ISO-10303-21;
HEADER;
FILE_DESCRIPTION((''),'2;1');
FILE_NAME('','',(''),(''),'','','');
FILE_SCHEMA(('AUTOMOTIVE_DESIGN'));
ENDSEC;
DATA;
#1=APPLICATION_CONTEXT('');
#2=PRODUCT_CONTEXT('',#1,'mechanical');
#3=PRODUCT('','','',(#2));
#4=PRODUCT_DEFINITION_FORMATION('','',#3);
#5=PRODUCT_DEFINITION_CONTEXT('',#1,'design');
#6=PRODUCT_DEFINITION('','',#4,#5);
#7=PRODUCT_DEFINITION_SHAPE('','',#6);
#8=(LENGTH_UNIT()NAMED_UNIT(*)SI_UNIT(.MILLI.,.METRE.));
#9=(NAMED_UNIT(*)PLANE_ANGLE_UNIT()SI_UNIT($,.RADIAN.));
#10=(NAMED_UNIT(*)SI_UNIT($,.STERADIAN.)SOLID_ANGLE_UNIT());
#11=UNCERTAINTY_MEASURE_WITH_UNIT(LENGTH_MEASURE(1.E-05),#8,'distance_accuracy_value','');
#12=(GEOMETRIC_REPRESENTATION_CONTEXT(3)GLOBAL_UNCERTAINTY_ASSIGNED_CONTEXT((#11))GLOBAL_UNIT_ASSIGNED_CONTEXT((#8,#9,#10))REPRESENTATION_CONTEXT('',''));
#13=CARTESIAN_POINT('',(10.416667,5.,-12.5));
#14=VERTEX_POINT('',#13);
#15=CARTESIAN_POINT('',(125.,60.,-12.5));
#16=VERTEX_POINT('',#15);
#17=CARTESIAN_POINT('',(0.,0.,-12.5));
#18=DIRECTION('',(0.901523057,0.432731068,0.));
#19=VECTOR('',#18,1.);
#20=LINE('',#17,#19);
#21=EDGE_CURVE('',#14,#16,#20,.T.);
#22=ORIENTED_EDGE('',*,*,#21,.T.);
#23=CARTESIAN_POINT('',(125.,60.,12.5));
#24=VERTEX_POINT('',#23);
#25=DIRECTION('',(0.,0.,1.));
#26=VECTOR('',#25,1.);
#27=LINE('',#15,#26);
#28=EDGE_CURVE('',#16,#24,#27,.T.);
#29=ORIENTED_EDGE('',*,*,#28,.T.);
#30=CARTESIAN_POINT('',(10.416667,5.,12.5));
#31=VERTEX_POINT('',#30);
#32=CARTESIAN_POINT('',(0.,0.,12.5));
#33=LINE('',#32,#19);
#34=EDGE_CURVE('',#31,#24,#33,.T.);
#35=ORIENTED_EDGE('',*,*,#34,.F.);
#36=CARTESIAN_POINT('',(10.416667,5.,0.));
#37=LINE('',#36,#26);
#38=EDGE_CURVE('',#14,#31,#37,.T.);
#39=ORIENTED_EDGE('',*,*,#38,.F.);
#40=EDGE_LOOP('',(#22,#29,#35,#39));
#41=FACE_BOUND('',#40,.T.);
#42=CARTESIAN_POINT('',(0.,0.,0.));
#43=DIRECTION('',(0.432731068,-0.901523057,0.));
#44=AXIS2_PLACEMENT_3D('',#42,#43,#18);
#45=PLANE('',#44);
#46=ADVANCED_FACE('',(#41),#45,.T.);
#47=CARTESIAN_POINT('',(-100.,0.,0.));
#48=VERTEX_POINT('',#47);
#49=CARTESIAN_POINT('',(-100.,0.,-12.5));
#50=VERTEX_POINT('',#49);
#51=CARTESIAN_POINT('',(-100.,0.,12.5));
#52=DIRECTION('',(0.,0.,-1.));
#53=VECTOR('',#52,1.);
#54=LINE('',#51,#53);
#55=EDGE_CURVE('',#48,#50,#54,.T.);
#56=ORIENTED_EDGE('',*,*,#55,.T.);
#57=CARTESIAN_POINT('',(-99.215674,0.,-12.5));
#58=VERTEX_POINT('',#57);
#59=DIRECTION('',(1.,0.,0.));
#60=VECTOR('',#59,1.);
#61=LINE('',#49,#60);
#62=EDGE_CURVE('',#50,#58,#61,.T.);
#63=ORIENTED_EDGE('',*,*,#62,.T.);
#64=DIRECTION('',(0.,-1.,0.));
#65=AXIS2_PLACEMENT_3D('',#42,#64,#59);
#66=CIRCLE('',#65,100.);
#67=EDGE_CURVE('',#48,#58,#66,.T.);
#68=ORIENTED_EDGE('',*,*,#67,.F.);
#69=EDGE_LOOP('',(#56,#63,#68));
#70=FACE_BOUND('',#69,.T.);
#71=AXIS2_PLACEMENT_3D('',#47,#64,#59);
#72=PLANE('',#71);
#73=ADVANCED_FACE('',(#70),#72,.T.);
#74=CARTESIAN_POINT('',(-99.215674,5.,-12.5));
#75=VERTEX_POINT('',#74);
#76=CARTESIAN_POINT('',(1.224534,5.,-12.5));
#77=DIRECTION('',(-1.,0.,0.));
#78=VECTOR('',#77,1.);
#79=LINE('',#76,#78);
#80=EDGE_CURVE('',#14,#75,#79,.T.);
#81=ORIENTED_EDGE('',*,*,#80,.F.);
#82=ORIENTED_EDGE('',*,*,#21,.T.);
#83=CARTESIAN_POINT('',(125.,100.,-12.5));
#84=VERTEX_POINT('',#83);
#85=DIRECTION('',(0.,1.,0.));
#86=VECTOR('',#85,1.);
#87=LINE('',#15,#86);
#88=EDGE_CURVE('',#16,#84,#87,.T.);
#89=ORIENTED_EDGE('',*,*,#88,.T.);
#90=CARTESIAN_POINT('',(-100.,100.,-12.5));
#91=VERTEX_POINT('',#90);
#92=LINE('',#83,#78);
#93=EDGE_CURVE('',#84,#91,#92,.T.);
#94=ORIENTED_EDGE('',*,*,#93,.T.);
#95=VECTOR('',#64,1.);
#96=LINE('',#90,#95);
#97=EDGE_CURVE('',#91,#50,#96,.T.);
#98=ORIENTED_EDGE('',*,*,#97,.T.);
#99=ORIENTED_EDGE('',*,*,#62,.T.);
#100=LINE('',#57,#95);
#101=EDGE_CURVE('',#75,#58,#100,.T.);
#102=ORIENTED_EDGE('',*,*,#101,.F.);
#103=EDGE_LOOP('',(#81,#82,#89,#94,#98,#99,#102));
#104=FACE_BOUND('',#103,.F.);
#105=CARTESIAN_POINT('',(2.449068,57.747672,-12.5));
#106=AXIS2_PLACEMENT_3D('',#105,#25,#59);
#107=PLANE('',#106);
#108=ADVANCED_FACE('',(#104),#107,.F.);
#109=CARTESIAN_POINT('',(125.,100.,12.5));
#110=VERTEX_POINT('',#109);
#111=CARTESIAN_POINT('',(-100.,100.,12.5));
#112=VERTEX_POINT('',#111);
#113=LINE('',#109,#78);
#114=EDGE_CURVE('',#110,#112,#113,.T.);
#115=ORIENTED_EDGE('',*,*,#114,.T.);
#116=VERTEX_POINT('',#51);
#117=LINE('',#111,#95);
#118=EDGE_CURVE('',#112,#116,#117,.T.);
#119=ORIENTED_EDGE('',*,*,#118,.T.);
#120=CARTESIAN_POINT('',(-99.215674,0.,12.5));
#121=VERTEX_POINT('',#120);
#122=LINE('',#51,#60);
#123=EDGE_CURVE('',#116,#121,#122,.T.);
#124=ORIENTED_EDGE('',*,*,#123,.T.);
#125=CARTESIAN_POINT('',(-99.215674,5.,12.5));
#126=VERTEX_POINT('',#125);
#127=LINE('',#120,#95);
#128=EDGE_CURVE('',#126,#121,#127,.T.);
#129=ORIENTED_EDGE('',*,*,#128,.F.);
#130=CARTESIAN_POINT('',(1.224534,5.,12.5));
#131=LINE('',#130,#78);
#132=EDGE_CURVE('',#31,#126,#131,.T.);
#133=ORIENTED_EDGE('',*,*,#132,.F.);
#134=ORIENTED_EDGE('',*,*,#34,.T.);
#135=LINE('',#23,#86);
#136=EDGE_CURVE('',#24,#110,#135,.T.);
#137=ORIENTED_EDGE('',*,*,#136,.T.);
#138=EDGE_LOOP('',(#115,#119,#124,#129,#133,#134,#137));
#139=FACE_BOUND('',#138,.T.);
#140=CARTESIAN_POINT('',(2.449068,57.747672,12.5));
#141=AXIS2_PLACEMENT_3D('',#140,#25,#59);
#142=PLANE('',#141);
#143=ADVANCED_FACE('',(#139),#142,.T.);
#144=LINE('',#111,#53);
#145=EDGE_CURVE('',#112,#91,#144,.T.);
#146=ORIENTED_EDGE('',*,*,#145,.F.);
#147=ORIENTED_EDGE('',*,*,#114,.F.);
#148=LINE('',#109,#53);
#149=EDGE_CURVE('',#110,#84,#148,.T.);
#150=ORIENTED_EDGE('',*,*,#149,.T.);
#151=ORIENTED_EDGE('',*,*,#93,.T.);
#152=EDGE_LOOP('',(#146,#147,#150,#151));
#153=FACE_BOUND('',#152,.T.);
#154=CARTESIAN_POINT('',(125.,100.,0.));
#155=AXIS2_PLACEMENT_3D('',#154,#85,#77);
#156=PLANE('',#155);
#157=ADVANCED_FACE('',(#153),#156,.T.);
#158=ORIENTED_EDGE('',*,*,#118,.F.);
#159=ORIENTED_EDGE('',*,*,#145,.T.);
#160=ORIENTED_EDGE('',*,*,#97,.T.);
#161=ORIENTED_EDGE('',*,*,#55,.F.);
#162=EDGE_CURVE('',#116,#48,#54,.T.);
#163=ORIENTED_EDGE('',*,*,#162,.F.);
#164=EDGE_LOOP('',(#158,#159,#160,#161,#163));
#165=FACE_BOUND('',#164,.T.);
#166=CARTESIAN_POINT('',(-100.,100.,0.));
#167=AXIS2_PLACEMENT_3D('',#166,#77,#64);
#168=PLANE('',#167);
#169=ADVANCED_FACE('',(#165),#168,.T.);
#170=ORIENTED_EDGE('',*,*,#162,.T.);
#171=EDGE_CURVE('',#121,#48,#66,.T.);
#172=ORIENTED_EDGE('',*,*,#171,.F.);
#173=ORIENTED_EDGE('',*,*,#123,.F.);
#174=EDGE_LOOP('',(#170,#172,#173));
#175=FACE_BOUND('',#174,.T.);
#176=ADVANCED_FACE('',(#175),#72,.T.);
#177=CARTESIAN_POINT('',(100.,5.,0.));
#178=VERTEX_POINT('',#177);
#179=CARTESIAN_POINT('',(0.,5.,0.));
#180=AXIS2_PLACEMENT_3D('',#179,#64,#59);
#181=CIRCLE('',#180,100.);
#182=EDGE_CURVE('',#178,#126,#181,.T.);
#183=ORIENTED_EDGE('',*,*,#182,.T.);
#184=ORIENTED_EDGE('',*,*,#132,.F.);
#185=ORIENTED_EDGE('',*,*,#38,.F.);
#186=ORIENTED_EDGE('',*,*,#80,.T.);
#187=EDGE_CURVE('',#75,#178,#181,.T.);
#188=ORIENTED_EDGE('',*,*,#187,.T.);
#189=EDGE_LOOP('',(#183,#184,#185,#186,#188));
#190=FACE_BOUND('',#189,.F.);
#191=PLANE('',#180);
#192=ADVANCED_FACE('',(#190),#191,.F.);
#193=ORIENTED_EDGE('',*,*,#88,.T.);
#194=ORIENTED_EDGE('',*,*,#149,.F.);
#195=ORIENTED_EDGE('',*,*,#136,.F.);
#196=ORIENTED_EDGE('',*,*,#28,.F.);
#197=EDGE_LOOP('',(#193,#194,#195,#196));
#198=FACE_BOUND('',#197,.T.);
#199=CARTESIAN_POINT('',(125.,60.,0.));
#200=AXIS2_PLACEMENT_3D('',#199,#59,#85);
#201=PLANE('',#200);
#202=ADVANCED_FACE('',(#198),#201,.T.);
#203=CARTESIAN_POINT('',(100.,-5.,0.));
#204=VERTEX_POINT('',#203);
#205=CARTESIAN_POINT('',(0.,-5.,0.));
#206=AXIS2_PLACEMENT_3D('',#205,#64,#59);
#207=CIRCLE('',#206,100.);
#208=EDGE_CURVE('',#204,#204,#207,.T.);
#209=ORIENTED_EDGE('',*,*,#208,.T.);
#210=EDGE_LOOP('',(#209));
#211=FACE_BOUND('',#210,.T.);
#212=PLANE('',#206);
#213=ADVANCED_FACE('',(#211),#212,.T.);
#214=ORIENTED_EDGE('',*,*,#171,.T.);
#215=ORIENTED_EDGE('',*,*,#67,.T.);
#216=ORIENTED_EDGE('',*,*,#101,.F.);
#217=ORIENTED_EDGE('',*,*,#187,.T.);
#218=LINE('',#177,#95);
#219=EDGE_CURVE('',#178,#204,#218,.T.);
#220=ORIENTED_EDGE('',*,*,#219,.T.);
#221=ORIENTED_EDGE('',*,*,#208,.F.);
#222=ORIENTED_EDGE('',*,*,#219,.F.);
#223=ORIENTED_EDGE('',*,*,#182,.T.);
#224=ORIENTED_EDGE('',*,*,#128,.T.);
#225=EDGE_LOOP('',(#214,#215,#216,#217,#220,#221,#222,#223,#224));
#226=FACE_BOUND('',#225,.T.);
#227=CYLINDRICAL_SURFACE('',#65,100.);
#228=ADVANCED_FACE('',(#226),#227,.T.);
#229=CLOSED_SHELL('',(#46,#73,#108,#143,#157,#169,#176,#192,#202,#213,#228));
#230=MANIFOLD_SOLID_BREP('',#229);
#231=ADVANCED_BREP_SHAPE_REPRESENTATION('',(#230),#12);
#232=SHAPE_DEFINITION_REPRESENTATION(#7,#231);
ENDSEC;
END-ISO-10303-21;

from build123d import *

# Parameters (mm, degrees)
F0_R     = 100
F1_DEPTH = 5
F3_DEPTH = 12.5


with BuildPart() as f1:
    # F0 (on Front) → F1 (new body, symmetric)
    with BuildSketch(Plane.XZ):
        Circle(F0_R)
    extrude(amount=F1_DEPTH, both=True)

    # F2 (on Top) → F3 (join, symmetric)
    with BuildSketch(Plane.XY):
        Polygon((-100, 0), (0, 0), (125, 60), (125, 100), (-100, 100), align=None)
    extrude(amount=F3_DEPTH, both=True)


solid = f1.part
